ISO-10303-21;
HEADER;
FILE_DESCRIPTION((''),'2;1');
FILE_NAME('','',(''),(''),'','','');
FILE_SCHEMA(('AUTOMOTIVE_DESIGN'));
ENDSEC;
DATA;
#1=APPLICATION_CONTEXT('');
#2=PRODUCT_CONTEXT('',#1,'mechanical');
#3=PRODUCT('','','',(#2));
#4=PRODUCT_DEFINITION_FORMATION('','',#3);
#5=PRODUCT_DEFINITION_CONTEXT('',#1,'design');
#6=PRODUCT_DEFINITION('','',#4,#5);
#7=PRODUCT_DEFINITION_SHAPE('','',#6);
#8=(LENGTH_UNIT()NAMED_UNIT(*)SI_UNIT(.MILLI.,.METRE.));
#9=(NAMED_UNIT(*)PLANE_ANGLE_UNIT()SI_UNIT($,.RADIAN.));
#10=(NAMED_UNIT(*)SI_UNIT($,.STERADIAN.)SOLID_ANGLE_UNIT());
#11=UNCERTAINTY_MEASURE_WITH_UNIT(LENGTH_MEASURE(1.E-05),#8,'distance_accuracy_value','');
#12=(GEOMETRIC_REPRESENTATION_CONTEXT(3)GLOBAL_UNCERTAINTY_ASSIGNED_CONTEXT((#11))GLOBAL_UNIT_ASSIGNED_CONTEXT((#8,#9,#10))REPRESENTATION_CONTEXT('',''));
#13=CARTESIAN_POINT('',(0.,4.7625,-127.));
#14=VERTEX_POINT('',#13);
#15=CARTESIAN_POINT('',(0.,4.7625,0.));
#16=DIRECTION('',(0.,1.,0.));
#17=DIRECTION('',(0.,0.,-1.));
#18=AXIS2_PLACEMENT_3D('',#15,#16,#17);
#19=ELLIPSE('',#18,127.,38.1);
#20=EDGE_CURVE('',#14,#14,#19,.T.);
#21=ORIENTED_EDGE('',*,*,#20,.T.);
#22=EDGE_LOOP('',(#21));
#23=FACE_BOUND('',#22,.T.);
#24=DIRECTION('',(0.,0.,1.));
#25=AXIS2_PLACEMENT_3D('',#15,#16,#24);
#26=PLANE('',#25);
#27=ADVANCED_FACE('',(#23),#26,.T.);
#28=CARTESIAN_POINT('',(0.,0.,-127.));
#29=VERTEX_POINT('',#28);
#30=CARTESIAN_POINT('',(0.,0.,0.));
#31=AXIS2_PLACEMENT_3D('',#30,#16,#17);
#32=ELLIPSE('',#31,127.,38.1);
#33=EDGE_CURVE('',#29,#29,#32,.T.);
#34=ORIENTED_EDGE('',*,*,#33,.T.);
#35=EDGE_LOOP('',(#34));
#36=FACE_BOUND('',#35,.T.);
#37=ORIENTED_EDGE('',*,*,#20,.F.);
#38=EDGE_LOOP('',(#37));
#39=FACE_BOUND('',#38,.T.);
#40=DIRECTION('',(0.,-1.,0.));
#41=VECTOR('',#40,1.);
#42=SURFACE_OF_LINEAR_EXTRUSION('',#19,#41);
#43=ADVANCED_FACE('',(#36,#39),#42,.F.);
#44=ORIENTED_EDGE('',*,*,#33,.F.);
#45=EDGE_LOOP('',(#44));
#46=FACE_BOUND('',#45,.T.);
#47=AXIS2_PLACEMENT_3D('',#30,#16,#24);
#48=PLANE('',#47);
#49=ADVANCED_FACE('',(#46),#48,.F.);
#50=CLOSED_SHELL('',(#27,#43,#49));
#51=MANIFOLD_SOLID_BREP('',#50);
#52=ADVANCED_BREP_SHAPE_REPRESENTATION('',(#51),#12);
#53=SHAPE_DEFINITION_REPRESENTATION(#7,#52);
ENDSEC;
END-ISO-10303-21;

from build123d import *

# Parameters (mm, degrees)
SKETCH1_RX          = 127
SKETCH1_RY          = 38.1
BOSS_EXTRUDE1_DEPTH = 4.7625


with BuildPart() as part:
    # Sketch1 → Boss-Extrude1 (new body)
    with BuildSketch(Plane(origin=(0, 0, 0), x_dir=(1, 0, 0), z_dir=(0, 1, 0))):
        with Locations(Location((0, 0), (0, 0, 90))):
            Ellipse(SKETCH1_RX, SKETCH1_RY)
    extrude(amount=BOSS_EXTRUDE1_DEPTH)


solid = part.part
